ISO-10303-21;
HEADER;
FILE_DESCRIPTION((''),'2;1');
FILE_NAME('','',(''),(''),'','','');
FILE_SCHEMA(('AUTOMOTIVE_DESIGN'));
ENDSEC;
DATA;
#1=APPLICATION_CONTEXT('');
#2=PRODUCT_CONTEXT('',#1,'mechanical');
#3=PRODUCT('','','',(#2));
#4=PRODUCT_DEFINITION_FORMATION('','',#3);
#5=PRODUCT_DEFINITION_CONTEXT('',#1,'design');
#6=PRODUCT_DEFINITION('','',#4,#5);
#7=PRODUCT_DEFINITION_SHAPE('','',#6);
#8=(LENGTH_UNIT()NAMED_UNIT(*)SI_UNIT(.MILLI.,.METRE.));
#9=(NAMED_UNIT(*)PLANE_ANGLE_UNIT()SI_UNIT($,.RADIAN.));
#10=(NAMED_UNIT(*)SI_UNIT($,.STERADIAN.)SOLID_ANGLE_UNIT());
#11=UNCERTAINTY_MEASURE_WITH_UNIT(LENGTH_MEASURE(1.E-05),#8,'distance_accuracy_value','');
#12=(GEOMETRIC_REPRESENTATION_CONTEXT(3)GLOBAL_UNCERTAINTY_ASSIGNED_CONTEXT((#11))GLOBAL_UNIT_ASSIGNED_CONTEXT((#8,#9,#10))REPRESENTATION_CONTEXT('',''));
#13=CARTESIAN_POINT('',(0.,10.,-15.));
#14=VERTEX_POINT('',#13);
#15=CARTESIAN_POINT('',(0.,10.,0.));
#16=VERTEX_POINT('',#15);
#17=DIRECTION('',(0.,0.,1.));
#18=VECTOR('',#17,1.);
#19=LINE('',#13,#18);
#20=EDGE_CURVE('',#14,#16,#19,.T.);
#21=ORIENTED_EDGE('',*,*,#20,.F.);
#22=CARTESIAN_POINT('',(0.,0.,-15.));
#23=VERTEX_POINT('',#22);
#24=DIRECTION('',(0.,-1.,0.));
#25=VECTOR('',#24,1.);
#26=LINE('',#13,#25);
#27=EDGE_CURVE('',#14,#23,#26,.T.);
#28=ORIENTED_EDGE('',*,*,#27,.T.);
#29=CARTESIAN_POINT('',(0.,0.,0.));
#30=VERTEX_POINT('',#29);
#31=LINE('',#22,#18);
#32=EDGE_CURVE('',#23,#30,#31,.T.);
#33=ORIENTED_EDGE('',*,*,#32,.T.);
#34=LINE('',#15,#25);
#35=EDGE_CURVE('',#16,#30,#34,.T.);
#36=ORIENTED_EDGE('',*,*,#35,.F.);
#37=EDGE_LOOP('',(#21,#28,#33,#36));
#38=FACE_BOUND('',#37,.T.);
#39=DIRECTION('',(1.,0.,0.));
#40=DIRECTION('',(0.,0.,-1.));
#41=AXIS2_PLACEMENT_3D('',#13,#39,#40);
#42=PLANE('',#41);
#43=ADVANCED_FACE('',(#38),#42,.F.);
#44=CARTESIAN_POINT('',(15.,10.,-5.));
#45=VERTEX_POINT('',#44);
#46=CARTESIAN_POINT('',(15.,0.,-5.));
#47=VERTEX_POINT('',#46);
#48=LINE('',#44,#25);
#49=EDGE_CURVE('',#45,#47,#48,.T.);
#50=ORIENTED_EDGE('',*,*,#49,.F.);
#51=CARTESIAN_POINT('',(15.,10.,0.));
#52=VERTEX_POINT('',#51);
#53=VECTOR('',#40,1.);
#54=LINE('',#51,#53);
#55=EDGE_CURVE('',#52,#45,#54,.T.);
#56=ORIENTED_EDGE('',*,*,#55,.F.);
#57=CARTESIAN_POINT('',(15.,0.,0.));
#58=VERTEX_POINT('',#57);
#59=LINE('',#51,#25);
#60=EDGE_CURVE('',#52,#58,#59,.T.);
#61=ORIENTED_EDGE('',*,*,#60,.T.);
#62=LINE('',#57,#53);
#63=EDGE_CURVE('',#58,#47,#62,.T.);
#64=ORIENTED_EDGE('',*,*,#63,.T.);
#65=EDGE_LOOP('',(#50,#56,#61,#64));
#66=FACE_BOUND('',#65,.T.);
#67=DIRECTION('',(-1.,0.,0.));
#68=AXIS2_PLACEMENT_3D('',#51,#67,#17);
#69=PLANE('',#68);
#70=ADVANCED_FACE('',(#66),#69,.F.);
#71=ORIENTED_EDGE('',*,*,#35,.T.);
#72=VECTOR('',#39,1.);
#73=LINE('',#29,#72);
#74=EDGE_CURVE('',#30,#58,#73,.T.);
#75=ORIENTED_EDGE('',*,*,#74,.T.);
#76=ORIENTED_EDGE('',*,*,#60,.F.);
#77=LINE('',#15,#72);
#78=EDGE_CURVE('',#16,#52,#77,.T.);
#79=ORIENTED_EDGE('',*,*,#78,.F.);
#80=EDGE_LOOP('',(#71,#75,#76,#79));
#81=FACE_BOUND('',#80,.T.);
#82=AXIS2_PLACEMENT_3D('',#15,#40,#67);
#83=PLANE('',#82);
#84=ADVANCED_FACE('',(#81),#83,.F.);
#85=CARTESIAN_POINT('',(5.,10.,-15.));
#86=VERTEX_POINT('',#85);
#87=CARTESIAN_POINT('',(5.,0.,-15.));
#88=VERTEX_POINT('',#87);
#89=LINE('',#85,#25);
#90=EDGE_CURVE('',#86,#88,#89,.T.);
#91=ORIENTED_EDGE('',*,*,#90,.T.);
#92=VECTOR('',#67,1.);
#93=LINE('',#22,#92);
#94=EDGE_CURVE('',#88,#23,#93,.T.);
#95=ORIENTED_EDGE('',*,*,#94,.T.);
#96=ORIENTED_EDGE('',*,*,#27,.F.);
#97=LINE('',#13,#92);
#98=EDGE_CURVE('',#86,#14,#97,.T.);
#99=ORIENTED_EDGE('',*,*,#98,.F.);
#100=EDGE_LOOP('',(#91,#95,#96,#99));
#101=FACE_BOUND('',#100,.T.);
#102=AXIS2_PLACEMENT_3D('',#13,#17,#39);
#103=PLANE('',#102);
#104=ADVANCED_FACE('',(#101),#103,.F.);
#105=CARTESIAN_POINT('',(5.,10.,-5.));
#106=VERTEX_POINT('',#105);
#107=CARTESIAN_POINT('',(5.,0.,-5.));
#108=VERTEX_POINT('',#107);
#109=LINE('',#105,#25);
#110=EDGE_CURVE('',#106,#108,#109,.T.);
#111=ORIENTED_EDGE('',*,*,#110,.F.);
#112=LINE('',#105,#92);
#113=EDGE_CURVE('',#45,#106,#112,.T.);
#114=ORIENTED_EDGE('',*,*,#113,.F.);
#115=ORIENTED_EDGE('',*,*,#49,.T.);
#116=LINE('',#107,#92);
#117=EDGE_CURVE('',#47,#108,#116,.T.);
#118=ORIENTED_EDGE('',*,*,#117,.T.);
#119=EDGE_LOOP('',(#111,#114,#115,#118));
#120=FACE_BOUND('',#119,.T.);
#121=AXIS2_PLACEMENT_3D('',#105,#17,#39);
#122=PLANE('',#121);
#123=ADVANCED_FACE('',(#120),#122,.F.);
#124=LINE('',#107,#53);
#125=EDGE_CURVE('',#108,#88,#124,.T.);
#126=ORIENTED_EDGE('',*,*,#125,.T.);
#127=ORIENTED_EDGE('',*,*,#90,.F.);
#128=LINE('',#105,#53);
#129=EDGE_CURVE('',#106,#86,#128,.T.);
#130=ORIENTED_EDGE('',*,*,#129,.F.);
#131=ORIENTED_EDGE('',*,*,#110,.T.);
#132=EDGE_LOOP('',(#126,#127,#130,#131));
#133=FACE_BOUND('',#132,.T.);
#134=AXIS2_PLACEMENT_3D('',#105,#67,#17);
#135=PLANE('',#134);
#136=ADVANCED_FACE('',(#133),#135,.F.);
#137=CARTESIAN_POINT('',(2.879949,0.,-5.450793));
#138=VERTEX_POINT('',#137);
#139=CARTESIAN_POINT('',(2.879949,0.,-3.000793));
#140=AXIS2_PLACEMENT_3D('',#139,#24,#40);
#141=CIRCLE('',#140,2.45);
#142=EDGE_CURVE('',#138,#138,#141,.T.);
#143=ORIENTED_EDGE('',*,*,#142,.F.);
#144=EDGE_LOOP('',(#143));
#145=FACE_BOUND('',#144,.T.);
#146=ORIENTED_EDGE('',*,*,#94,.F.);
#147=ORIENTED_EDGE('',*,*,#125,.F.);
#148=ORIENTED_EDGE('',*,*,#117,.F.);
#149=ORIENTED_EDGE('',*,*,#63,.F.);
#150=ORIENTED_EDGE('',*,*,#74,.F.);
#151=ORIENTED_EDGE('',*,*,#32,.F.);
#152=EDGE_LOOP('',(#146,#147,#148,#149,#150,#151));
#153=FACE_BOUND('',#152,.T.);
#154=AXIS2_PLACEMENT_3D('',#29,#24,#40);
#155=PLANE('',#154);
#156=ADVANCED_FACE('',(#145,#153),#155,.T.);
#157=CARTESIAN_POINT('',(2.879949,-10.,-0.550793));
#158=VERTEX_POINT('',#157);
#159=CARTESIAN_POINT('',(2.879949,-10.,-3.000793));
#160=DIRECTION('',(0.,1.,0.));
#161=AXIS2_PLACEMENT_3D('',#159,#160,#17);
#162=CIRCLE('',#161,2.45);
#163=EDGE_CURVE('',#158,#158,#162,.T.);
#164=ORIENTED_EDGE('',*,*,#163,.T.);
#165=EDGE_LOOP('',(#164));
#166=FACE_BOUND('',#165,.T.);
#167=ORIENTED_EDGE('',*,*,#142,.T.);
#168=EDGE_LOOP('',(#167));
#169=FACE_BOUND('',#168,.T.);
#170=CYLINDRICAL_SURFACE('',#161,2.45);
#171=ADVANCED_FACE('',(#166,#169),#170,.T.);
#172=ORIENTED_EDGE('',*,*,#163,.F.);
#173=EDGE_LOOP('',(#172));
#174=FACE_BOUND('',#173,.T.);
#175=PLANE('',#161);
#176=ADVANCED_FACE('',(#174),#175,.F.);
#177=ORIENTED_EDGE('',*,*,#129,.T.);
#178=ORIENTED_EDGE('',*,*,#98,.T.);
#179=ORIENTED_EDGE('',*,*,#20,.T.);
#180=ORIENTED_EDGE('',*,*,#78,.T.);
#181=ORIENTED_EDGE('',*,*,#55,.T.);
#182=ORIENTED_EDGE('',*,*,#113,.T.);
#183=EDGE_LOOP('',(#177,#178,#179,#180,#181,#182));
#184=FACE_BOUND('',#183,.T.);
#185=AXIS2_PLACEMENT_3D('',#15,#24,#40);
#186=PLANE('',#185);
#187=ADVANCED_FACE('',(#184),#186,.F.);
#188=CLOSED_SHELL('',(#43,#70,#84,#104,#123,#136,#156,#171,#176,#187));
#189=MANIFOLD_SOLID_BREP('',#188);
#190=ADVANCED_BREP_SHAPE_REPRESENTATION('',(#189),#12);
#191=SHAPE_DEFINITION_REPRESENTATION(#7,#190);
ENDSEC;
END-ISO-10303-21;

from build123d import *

# Parameters (mm, degrees)
SKETCH1_R           = 2.5
BOSS_EXTRUDE1_DEPTH = 10
SKETCH2_R           = 2.45
BOSS_EXTRUDE2_DEPTH = 20
BOSS_EXTRUDE3_START = -10
SKETCH3_R           = 2.5
BOSS_EXTRUDE3_DEPTH = 10


with BuildPart() as part:
    # Sketch1 → Boss-Extrude1 (new body)
    with BuildSketch(Plane(origin=(0, 0, 0), x_dir=(1, 0, 0), z_dir=(0, 1, 0))):
        Polygon((0, 15), (0, 0), (15, 0), (15, 5), (5, 5), (5, 15), align=None)
        with Locations(Location((2.879948547, 3.000793191, 0), (0, 0, 270))):
            Circle(SKETCH1_R, mode=Mode.SUBTRACT)
    extrude(amount=BOSS_EXTRUDE1_DEPTH)



with BuildPart() as body_2:
    # Sketch2 → Boss-Extrude2 (new body)
    with BuildSketch(Plane(origin=(0, 10, 0), x_dir=(1, 0, 0), z_dir=(0, 1, 0))):
        with Locations(Location((2.879948547, 3.000793191, 0), (0, 0, 270))):
            Circle(SKETCH2_R)
    extrude(amount=-BOSS_EXTRUDE2_DEPTH)


with BuildPart() as part_1:
    add(part.part)

    add(body_2.part)  # Boss-Extrude3 merges body 2
    # Sketch3 → Boss-Extrude3 (add)
    with BuildSketch(Plane(origin=(0, 10, 0), x_dir=(1, 0, 0), z_dir=(0, 1, 0)).offset(BOSS_EXTRUDE3_START)):
        with Locations((2.879948547, 3.000793191)):
            Circle(SKETCH3_R)
    extrude(amount=BOSS_EXTRUDE3_DEPTH)


solid = part_1.part
